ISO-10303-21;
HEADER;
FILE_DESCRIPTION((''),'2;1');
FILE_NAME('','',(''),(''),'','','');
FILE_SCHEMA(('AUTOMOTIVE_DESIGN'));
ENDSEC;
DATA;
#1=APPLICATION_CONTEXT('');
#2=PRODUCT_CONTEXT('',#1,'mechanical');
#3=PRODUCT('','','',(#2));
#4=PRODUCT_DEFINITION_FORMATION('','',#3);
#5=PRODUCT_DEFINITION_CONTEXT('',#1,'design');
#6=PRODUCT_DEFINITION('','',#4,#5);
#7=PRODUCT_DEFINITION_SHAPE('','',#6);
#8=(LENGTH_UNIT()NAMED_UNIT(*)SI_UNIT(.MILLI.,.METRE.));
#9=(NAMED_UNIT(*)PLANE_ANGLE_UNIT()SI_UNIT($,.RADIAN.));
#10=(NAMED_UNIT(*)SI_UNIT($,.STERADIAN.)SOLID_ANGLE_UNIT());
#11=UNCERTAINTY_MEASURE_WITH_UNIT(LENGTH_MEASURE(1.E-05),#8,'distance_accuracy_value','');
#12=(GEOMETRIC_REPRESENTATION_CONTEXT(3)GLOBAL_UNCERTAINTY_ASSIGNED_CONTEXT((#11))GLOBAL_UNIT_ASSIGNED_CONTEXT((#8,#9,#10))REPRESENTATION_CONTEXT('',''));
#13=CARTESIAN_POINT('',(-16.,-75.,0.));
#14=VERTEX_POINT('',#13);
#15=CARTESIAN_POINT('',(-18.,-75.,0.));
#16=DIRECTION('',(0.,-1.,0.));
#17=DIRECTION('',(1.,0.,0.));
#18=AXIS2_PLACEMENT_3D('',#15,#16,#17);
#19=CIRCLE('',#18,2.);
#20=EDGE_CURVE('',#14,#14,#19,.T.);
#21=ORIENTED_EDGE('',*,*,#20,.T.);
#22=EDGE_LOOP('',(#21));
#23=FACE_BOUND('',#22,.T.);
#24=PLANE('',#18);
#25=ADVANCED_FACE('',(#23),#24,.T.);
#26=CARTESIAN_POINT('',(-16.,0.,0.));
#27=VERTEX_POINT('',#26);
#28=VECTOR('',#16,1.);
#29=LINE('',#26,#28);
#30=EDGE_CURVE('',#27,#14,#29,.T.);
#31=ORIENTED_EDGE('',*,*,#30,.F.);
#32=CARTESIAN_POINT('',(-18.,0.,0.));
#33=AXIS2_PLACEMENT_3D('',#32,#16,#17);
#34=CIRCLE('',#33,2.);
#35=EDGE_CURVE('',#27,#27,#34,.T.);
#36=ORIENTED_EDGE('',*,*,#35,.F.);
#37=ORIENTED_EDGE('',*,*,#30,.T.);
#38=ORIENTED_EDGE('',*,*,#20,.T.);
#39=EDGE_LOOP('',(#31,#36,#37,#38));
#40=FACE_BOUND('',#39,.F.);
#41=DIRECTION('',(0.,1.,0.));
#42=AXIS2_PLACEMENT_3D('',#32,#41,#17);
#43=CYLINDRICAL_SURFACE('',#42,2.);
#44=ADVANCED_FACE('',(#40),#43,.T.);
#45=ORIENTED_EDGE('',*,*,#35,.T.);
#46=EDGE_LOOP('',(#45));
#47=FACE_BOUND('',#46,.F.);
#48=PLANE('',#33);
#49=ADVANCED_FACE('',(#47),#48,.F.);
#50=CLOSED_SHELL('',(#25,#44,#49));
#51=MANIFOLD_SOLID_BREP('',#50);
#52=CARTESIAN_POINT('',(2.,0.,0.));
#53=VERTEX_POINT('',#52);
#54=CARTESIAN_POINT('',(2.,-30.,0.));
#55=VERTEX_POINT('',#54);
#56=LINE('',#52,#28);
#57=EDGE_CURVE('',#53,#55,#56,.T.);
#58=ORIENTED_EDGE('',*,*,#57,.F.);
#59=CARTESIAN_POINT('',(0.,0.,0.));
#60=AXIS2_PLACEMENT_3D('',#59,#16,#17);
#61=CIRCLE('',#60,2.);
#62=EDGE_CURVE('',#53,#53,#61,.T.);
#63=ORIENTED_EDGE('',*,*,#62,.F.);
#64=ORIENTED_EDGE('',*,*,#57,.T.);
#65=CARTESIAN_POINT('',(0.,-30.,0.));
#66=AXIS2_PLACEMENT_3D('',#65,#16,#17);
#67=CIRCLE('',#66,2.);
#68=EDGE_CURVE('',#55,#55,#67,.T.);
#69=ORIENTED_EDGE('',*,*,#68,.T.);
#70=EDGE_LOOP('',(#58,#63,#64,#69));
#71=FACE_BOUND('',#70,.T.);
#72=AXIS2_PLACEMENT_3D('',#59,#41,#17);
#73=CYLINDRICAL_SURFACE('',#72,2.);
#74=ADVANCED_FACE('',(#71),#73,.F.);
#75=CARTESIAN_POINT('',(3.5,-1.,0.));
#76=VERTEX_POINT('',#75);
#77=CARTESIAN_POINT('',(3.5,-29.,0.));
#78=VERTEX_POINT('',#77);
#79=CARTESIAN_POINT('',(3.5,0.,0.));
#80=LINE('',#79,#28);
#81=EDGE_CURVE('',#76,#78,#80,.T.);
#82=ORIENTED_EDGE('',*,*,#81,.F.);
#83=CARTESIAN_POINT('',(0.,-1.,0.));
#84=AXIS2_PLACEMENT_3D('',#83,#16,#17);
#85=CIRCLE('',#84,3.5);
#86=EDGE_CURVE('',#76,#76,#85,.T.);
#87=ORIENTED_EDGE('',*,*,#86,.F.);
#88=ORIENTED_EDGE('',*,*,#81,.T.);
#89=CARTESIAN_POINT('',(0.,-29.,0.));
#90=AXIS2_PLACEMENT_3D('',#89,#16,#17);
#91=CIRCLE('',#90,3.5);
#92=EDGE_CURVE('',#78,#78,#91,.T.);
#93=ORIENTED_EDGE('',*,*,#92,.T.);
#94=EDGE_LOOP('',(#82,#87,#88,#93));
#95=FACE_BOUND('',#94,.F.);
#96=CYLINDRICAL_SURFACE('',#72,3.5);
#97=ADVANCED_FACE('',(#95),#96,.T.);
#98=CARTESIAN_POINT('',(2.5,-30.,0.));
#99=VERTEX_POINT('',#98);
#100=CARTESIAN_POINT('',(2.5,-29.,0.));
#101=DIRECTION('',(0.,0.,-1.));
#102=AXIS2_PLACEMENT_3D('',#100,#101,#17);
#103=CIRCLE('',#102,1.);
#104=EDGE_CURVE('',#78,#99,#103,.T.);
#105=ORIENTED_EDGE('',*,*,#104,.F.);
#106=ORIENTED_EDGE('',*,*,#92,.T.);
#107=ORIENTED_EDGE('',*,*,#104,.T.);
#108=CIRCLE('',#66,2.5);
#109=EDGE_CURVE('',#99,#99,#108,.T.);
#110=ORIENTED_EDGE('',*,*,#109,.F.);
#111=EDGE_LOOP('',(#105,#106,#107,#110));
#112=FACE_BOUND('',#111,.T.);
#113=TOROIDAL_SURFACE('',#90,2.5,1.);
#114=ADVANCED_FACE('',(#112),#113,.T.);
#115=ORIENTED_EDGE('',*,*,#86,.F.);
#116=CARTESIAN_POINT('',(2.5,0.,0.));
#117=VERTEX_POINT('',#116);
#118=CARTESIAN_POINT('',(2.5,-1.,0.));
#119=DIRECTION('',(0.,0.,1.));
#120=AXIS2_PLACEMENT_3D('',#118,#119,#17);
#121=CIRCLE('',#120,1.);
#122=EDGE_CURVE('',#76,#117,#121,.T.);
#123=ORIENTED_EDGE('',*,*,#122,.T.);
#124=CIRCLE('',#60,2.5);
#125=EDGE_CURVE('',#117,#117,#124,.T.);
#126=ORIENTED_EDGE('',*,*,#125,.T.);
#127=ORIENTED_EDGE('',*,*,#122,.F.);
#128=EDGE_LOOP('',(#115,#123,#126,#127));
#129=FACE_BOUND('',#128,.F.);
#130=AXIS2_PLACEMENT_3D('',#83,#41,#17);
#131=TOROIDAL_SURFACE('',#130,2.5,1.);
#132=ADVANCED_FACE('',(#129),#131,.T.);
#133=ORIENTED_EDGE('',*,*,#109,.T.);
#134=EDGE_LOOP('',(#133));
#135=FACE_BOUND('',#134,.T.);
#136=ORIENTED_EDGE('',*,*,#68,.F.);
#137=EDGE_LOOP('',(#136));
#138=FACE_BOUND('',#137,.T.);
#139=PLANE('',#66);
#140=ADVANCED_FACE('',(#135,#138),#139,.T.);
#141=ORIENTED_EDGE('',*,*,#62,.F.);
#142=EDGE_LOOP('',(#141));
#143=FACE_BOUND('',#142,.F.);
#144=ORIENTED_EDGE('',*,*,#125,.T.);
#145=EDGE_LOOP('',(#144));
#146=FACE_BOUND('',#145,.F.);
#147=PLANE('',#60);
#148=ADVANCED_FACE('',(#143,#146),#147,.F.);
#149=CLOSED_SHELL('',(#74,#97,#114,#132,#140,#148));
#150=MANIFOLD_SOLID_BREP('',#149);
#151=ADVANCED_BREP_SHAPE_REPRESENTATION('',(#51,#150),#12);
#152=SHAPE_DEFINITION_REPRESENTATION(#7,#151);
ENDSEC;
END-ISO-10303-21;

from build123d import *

# Parameters (mm, degrees)
F0_R     = 3.5
F0_R_2   = 2
F1_DEPTH = 30
F2_R     = 1
F3_DEPTH = 75


with BuildPart() as f1:
    # F0 (on Front) → F1 (new body)
    with BuildSketch(Plane.XZ):
        Circle(F0_R)
        Circle(F0_R_2, mode=Mode.SUBTRACT)
    extrude(amount=F1_DEPTH)

    # F2
    f2_edges = [f1.edges().sort_by_distance(p)[0] for p in [
        (-3.5, -30, 0),
        (-3.5, 0, 0),
    ]]
    fillet(f2_edges, radius=F2_R)


with BuildPart() as f3:
    # F0 (on Front) → F3 (new body)
    with BuildSketch(Plane.XZ):
        with Locations((-18, 0)):
            Circle(F0_R_2)
    extrude(amount=F3_DEPTH)


solid = Compound([f1.part, f3.part])
